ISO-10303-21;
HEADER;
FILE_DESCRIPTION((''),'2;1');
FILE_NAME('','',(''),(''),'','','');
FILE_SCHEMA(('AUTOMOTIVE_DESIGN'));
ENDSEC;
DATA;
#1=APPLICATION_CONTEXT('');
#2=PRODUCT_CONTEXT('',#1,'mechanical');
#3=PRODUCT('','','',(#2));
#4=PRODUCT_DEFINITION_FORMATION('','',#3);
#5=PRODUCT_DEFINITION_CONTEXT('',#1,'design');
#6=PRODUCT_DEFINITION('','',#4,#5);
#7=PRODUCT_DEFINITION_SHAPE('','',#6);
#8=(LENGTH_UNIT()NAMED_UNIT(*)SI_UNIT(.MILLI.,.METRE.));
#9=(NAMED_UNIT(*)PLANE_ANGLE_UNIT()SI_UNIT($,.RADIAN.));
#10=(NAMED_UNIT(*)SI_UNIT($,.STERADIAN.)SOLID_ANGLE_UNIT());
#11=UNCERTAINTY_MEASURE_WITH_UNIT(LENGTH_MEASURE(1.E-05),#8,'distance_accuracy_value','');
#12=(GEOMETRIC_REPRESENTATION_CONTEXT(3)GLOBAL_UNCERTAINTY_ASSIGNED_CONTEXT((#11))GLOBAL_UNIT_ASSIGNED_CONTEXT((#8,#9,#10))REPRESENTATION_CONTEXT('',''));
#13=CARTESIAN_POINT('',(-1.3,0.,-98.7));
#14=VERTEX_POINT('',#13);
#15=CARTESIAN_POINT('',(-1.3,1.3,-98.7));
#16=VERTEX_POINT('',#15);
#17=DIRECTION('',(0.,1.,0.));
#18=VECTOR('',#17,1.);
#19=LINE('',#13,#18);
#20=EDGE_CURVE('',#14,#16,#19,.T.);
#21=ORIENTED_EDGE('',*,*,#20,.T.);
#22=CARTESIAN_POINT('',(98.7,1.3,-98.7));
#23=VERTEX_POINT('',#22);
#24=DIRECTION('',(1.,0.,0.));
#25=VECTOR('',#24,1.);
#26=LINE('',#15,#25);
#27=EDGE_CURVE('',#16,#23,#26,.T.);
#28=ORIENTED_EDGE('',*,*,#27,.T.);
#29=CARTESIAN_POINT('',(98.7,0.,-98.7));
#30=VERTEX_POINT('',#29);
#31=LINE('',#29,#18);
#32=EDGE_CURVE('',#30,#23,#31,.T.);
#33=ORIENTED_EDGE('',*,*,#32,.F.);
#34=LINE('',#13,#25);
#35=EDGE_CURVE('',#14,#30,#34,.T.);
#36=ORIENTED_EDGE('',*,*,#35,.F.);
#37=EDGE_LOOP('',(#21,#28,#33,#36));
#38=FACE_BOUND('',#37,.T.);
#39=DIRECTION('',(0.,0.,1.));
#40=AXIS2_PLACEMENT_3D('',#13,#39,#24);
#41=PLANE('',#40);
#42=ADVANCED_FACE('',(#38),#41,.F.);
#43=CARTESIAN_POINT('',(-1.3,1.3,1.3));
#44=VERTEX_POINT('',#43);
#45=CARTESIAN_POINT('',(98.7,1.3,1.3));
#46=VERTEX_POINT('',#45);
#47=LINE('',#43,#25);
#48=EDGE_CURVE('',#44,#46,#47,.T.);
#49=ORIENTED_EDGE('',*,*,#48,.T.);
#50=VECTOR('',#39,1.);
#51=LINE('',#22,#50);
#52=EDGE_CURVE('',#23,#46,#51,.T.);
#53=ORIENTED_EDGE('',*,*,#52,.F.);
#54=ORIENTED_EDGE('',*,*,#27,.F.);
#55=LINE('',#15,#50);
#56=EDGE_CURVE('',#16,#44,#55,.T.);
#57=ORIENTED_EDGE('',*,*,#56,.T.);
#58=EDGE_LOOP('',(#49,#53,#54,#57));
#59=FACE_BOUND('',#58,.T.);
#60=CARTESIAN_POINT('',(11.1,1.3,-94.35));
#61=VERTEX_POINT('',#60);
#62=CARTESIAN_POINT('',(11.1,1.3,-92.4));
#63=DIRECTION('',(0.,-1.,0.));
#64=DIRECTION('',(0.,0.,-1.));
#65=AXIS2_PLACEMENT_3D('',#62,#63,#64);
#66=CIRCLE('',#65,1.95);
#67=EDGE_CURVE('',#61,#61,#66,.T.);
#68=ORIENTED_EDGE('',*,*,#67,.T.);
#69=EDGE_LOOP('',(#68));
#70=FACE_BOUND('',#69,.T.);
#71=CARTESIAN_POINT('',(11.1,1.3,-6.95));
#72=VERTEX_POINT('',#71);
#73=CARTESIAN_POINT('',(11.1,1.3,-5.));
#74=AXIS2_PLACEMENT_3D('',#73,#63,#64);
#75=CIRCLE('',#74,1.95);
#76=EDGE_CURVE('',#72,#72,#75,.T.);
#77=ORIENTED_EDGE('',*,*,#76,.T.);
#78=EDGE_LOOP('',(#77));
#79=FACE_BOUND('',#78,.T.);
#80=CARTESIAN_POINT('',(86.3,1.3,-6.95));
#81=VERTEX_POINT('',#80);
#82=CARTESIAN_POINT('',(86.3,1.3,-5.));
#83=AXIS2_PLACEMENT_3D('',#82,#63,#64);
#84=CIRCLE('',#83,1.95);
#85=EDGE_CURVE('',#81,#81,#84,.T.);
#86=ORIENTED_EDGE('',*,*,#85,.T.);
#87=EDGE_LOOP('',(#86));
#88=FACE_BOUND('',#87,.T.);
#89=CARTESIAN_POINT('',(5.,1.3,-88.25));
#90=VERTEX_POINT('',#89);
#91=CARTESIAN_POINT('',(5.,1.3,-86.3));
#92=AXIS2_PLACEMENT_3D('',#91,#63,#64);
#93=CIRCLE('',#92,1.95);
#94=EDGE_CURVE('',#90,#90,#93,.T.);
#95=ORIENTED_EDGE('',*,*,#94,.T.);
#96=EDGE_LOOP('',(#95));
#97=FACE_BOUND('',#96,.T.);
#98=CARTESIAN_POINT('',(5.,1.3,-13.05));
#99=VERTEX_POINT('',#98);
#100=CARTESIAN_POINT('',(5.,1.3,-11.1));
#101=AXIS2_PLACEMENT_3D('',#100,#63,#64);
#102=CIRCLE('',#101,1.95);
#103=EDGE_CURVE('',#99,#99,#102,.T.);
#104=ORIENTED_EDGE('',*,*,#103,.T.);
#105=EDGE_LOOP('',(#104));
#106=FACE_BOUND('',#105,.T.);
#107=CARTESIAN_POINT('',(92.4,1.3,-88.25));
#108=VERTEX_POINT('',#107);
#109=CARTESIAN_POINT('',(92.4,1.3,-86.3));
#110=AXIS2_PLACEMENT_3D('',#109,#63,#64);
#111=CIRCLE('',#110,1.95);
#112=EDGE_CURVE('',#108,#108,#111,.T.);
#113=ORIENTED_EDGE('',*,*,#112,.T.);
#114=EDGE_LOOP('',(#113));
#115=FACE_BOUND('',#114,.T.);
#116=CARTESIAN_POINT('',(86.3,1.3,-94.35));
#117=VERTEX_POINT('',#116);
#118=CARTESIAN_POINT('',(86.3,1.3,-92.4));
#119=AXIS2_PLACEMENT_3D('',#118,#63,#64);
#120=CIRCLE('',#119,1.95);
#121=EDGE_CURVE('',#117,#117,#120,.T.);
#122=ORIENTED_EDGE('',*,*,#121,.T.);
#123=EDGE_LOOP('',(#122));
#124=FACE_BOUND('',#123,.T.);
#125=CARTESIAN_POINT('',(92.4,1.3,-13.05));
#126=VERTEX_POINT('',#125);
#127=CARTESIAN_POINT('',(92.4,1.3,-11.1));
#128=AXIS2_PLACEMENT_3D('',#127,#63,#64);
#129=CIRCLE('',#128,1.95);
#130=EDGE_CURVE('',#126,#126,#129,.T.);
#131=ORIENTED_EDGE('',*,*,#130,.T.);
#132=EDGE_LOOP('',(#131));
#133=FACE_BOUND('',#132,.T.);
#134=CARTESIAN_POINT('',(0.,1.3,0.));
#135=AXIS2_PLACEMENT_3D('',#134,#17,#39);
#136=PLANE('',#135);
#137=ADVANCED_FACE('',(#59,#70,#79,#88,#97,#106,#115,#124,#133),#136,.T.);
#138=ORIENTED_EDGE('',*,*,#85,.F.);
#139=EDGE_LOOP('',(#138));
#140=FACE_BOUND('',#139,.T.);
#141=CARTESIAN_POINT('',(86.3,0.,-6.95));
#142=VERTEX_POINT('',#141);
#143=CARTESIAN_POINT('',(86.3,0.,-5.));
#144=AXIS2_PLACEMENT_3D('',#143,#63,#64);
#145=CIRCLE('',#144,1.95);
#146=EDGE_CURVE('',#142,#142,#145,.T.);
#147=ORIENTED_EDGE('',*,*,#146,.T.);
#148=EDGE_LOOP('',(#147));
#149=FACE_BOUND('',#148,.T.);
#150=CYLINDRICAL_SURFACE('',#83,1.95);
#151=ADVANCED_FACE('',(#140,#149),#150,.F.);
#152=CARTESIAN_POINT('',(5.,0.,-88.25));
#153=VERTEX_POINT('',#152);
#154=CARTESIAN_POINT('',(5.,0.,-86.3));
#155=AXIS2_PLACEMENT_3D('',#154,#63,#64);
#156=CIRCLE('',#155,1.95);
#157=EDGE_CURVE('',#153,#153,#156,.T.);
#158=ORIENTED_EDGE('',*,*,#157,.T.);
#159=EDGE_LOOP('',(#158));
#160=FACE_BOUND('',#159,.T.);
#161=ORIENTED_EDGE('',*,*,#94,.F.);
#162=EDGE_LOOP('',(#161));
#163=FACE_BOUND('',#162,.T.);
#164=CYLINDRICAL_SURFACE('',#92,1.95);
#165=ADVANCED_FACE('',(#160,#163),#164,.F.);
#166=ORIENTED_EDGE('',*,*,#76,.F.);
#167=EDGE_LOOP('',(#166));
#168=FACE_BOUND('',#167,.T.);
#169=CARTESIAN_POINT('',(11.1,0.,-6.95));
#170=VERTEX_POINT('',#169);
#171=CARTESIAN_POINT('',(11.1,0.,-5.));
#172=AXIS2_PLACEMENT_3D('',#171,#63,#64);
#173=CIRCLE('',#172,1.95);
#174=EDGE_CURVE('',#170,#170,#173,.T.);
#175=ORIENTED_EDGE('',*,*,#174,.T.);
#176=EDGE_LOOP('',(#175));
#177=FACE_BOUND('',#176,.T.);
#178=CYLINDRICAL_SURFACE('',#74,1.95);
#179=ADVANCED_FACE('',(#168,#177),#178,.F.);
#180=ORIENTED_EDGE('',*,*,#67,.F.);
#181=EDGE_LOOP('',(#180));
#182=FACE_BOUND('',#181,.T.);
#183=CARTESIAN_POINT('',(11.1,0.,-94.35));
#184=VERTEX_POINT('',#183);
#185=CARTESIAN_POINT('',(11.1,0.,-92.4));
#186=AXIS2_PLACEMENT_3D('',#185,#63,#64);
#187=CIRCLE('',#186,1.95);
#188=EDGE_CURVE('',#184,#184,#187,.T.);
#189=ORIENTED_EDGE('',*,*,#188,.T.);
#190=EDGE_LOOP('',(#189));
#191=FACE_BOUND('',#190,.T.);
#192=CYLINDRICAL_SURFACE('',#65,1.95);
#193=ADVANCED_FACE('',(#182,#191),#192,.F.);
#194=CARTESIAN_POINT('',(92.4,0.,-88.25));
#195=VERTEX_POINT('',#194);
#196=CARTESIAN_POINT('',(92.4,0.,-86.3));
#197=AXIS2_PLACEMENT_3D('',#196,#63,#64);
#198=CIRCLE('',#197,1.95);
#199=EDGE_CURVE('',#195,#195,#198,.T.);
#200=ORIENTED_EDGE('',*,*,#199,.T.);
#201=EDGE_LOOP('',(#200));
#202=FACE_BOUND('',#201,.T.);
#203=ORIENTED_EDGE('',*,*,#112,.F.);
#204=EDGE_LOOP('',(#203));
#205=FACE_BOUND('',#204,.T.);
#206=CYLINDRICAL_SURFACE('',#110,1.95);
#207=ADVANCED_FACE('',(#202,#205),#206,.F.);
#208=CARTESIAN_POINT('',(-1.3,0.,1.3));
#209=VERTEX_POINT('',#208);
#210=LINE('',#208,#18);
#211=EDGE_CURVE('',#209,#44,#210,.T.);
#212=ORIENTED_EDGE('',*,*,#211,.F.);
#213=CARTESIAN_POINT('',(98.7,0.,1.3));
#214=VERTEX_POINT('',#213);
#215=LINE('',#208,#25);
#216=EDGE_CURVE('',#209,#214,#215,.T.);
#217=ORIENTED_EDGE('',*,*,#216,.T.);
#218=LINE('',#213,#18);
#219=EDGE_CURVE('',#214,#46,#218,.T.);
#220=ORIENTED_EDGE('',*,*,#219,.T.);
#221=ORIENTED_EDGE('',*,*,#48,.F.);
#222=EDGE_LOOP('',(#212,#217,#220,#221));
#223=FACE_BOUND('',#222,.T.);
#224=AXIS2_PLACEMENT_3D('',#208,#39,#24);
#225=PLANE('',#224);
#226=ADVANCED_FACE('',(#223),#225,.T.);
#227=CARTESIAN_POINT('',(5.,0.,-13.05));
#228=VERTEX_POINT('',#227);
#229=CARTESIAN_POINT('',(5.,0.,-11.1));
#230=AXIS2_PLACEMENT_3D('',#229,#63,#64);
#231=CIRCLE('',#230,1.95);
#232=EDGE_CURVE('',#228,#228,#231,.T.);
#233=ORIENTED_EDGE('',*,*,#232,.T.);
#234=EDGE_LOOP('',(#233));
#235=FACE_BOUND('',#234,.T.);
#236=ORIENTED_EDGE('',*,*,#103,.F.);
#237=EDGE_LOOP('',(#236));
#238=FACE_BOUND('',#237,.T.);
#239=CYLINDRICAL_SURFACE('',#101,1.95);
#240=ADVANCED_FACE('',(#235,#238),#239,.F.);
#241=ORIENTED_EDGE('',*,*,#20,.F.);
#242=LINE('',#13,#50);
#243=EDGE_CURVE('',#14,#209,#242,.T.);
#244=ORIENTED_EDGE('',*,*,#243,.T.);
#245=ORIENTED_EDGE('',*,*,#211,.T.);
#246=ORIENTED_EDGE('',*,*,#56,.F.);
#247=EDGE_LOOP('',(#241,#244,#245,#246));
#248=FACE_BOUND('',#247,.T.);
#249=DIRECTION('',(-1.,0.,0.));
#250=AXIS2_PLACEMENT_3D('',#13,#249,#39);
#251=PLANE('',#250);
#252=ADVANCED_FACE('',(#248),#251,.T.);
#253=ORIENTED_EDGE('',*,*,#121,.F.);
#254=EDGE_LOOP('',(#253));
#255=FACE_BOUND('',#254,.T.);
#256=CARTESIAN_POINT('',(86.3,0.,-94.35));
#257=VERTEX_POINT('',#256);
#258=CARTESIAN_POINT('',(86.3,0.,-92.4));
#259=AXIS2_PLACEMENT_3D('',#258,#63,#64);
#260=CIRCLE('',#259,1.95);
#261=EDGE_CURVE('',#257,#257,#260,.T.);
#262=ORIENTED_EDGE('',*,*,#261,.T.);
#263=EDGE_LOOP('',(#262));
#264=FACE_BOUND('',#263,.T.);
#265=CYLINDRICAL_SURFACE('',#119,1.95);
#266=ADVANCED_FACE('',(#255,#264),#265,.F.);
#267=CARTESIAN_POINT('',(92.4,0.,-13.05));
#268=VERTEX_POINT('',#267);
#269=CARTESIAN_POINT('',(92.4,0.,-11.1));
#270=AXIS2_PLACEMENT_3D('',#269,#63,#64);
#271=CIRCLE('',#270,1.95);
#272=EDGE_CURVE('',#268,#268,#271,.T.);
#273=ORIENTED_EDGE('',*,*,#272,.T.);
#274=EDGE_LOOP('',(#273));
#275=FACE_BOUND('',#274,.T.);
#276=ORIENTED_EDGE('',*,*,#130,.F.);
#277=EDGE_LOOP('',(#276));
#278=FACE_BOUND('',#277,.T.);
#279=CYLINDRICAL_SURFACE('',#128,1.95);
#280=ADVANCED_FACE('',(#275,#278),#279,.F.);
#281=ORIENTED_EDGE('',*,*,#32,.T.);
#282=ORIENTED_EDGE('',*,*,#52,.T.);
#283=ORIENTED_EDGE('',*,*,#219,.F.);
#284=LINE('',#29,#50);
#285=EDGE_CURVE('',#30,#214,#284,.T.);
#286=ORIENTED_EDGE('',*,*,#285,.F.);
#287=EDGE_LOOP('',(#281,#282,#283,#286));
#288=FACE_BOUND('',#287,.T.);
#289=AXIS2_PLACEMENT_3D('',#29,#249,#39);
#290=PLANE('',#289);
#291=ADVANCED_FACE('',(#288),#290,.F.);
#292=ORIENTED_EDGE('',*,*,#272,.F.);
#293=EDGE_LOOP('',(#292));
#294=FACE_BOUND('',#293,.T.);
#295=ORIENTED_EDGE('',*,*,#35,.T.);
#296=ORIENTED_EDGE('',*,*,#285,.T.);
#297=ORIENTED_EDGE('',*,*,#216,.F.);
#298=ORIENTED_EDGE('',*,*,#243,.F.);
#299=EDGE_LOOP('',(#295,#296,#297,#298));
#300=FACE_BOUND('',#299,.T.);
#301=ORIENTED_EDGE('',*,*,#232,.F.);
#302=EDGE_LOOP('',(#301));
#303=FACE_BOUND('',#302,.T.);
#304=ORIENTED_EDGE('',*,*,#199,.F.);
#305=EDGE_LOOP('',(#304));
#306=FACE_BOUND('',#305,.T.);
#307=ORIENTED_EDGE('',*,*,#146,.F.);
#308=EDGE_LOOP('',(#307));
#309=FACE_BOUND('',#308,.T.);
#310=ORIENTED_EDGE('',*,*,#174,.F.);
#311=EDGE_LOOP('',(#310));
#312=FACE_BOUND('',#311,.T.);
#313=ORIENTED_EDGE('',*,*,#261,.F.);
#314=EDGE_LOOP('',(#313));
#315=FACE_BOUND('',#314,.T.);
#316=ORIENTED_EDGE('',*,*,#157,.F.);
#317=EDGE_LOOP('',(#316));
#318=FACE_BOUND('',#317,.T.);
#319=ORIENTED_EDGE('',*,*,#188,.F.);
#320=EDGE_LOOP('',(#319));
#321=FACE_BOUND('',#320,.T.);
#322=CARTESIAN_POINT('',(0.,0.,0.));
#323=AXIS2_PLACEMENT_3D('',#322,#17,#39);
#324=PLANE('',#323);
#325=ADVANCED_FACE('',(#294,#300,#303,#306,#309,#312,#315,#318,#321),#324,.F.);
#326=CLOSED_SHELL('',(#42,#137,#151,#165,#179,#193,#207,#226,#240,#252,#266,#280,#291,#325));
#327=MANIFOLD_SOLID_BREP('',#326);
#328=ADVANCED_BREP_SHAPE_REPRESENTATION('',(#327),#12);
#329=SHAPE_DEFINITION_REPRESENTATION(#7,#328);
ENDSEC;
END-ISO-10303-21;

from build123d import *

# Parameters (mm, degrees)
BOSS_EXTRUDE1_DEPTH = 1.3
SKETCH3_W           = 100
SKETCH3_H           = 100
BOSS_EXTRUDE3_DEPTH = 1.3
SKETCH2_R           = 1.95
CUT_EXTRUDE1_DEPTH  = 1.3


with BuildPart() as part:
    # Sketch1 → Boss-Extrude1 (new body)
    with BuildSketch(Plane(origin=(0, 0, 0), x_dir=(1, 0, 0), z_dir=(0, 1, 0))):
        Polygon((7.2, 7.2), (7.2, 0), (90.2, 0), (90.2, 7.2), (97.4, 7.2), (97.4, 90.2), (90.2, 90.2), (90.2, 97.4), (7.2, 97.4), (7.2, 90.2), (0, 90.2), (0, 7.2), align=None)
    extrude(amount=BOSS_EXTRUDE1_DEPTH)

    # Sketch3 → Boss-Extrude3 (add)
    with BuildSketch(Plane(origin=(0, 1.3, 0), x_dir=(1, 0, 0), z_dir=(0, 1, 0))):
        with Locations((48.7, 48.7)):
            Rectangle(SKETCH3_W, SKETCH3_H)
    extrude(amount=-BOSS_EXTRUDE3_DEPTH)

    # Sketch2 → Cut-Extrude1 (cut)
    with BuildSketch(Plane.XZ):
        with Locations(Location((92.4, -86.3, 0), (0, 0, 270))):
            Circle(SKETCH2_R)
        with Locations(Location((86.3, -92.4, 0), (0, 0, 270))):
            Circle(SKETCH2_R)
        with Locations(Location((11.1, -92.4, 0), (0, 0, 270))):
            Circle(SKETCH2_R)
        with Locations(Location((5, -86.3, 0), (0, 0, 270))):
            Circle(SKETCH2_R)
        with Locations(Location((5, -11.1, 0), (0, 0, 270))):
            Circle(SKETCH2_R)
        with Locations(Location((11.1, -5, 0), (0, 0, 270))):
            Circle(SKETCH2_R)
        with Locations(Location((86.3, -5, 0), (0, 0, 270))):
            Circle(SKETCH2_R)
        with Locations(Location((92.4, -11.1, 0), (0, 0, 270))):
            Circle(SKETCH2_R)
    extrude(amount=-CUT_EXTRUDE1_DEPTH, mode=Mode.SUBTRACT)


solid = part.part
